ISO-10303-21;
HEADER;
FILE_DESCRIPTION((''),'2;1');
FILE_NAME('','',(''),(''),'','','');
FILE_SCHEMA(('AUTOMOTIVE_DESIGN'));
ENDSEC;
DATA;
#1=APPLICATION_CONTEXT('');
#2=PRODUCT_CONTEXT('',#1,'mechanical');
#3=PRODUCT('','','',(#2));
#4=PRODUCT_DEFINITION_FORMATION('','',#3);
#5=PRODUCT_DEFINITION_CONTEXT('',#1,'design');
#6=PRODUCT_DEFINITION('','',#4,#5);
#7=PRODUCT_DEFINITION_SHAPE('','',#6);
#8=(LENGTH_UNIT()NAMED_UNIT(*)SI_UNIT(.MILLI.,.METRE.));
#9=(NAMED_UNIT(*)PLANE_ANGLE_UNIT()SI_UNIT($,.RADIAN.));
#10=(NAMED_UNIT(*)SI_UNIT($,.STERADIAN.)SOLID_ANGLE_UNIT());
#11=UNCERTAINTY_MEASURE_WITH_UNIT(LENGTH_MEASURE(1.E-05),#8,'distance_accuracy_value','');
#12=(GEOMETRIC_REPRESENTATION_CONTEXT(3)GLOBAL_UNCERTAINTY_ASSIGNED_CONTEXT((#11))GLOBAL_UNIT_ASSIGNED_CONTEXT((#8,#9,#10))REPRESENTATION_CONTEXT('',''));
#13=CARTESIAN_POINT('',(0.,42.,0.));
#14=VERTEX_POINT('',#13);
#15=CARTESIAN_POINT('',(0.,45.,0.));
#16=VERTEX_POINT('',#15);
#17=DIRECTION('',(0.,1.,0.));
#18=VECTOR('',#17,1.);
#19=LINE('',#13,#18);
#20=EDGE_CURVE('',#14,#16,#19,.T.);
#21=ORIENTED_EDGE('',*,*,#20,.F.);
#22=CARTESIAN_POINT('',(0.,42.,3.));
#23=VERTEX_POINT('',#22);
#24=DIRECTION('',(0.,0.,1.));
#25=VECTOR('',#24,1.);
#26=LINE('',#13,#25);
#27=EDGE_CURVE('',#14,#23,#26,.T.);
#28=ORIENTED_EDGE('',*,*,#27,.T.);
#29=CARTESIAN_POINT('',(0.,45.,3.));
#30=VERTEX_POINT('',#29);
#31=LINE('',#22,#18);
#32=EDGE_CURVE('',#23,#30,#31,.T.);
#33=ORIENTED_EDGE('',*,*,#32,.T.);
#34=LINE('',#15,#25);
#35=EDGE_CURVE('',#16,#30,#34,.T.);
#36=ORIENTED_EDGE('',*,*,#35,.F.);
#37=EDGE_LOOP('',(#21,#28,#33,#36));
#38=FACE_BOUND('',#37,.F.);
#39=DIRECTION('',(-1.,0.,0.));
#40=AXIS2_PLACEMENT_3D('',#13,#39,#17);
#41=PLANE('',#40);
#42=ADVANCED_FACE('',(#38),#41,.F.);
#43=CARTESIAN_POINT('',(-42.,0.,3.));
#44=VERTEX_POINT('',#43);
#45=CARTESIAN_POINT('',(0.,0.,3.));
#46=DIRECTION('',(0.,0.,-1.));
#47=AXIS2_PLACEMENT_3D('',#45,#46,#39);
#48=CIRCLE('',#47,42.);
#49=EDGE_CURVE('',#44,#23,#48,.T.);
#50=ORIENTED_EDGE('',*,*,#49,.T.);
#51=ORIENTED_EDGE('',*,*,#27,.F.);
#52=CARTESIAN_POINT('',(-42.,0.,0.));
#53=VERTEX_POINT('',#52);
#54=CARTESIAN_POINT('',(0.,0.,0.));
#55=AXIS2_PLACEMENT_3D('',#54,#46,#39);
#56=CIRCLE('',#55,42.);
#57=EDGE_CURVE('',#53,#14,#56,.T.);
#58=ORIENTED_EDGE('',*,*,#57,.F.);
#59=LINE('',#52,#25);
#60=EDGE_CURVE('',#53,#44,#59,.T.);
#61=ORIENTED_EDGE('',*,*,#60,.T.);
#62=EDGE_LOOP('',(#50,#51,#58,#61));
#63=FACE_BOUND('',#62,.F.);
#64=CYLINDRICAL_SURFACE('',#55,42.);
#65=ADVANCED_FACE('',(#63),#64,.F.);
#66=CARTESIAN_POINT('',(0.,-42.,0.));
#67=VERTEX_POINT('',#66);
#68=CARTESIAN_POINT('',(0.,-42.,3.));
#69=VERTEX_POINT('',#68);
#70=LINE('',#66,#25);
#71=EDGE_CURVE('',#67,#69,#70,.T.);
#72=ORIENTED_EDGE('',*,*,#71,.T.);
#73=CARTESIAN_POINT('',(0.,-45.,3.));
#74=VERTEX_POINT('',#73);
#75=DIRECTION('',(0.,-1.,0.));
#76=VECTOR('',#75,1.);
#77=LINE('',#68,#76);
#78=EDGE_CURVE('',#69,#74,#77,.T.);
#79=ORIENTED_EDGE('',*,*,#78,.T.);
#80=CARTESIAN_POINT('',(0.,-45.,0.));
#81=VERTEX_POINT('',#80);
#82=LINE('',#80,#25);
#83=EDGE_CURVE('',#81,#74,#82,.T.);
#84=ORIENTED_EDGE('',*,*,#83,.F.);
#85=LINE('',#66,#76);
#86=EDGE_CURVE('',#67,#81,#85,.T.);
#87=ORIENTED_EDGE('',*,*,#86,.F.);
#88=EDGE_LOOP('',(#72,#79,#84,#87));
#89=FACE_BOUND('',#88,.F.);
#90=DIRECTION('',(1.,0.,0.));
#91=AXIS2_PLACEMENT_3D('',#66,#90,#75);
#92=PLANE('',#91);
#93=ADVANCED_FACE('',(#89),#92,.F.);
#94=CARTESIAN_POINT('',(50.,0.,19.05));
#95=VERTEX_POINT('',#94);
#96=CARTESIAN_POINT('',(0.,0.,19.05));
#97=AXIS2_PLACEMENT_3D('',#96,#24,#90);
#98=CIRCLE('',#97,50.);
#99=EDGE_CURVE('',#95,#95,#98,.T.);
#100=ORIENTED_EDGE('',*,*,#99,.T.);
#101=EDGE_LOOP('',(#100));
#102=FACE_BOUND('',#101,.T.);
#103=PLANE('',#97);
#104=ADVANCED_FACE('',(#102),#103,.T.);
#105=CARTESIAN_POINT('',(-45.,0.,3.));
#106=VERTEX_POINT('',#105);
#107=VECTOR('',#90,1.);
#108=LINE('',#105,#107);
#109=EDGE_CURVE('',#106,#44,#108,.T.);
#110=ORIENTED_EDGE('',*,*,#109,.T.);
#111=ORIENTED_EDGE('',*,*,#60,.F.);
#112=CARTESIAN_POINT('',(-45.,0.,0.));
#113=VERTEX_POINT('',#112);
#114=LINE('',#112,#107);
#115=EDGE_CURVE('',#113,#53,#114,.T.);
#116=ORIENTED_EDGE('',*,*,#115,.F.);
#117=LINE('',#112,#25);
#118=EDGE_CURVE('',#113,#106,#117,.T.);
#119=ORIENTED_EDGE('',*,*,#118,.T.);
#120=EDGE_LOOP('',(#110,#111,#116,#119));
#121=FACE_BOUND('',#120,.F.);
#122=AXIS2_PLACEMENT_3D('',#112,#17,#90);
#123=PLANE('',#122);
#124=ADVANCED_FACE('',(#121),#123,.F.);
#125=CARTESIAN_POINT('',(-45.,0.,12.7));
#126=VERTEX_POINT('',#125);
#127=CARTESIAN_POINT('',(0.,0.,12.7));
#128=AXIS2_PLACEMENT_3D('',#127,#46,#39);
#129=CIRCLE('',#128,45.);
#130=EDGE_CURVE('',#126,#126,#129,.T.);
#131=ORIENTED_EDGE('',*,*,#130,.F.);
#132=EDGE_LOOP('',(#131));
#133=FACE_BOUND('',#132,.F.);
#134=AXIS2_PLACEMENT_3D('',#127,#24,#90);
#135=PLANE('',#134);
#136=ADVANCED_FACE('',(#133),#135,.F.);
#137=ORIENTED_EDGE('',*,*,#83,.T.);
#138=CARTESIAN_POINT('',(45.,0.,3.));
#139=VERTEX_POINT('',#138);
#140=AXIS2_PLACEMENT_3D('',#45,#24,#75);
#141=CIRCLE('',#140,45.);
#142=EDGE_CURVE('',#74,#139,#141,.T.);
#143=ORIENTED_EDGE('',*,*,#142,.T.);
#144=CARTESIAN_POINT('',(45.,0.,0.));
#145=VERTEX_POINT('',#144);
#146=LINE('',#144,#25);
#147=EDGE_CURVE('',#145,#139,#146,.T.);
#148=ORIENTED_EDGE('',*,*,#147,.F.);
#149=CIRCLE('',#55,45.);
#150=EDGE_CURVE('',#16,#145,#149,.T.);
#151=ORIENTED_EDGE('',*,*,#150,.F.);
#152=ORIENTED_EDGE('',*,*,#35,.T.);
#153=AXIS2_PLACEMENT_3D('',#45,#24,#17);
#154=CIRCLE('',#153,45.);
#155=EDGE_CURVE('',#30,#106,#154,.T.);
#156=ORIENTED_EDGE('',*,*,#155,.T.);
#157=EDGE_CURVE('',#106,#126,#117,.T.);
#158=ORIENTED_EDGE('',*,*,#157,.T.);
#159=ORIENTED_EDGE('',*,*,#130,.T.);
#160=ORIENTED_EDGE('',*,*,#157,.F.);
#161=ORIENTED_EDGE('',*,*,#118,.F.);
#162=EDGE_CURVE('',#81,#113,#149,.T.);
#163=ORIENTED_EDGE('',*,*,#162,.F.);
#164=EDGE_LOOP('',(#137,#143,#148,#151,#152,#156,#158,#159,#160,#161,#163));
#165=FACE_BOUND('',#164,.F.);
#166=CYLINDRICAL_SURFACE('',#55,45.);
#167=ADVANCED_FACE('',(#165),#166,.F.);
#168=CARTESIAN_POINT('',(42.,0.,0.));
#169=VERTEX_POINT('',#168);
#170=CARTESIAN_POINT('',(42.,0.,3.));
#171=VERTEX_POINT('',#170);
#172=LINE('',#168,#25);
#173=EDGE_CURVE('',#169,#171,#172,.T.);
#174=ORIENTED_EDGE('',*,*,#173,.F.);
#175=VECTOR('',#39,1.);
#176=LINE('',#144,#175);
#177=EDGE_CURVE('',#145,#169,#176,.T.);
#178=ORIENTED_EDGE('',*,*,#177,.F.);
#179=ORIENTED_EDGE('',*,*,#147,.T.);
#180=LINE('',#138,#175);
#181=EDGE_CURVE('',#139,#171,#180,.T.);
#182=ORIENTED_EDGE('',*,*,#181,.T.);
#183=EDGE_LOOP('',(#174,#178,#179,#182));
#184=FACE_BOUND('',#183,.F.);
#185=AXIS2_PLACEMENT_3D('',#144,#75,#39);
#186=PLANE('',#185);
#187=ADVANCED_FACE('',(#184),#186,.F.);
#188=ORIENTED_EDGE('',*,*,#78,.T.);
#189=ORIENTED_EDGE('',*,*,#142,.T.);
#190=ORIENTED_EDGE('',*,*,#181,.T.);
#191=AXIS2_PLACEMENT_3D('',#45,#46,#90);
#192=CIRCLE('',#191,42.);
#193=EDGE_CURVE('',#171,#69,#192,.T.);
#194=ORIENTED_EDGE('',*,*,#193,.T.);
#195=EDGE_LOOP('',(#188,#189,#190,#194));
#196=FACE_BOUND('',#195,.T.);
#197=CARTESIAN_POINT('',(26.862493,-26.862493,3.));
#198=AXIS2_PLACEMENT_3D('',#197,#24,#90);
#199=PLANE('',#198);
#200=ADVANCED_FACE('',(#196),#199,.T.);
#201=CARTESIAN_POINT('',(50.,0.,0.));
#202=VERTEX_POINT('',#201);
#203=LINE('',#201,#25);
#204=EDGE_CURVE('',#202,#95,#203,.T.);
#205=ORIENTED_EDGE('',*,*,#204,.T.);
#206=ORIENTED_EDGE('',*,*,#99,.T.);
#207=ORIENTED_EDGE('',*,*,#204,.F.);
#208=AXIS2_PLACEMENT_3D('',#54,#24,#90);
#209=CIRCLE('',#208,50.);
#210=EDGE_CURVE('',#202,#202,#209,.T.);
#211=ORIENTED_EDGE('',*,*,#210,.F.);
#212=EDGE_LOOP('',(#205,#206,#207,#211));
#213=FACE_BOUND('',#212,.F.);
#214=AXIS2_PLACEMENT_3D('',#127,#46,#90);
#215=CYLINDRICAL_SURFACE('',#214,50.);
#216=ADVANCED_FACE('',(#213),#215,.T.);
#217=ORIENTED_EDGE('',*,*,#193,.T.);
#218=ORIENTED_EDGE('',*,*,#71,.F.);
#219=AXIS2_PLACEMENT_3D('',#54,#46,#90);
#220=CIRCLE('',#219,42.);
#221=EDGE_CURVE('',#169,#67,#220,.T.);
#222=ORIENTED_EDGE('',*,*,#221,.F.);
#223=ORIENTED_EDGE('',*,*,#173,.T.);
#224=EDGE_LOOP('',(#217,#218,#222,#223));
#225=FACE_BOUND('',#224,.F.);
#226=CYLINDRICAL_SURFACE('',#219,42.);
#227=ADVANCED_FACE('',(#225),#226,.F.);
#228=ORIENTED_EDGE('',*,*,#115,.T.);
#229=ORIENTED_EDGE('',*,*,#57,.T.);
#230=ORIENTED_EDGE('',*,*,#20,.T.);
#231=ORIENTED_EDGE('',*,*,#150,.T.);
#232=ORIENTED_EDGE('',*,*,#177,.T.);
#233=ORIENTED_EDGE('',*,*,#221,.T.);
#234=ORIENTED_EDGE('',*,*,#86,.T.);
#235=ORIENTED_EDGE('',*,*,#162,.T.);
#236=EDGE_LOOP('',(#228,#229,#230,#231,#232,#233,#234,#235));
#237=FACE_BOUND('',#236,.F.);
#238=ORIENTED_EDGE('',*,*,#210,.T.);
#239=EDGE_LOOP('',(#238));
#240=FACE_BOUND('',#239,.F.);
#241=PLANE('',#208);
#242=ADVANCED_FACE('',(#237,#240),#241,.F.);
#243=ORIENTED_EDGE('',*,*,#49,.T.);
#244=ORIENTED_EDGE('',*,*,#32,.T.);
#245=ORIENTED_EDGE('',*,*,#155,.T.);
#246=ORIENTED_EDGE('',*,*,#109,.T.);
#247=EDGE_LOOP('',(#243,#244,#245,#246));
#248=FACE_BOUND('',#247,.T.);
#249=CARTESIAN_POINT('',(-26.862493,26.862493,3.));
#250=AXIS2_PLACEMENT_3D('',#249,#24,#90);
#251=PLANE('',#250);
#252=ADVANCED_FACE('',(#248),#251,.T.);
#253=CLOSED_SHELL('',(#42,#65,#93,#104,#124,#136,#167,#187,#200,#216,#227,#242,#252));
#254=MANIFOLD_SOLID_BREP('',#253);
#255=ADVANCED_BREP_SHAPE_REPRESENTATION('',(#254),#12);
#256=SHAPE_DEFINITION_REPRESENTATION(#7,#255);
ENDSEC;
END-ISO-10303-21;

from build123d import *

# Parameters (mm, degrees)
F3_DEPTH = 3
F2_R     = 50
F4_DEPTH = 12.7
F5_R     = 50
F5_R_2   = 45
F6_DEPTH = 6.35


with BuildPart() as f3:
    # F2 (on Top) → F3 (new body)
    with BuildSketch(Plane.XY):
        with BuildLine():
            Line((0, 42), (0, 45))
            ThreePointArc((0, 45), (-31.8198051534, 31.8198051534), (-45, 0))
            Line((-45, 0), (-42, 0))
            ThreePointArc((-42, 0), (-29.6984848098, 29.6984848098), (0, 42))
        make_face()
    extrude(amount=F3_DEPTH)



with BuildPart() as f3b:
    # F2 (on Top) → F3, piece 2 (new body)
    with BuildSketch(Plane.XY):
        with BuildLine():
            ThreePointArc((0, -45), (31.8198051534, -31.8198051534), (45, 0))
            Line((45, 0), (42, 0))
            ThreePointArc((42, 0), (29.6984848098, -29.6984848098), (0, -42))
            Line((0, -42), (0, -45))
        make_face()
    extrude(amount=F3_DEPTH)


with BuildPart() as f3_1:
    add(f3.part)

    add(f3b.part)  # F4 merges F3b
    # F2 (on Top) → F4 (join)
    with BuildSketch(Plane.XY):
        Circle(F2_R)
        with BuildLine():
            ThreePointArc((0, 45), (31.8198051534, 31.8198051534), (45, 0))
            ThreePointArc((45, 0), (31.8198051534, -31.8198051534), (0, -45))
            ThreePointArc((0, -45), (-31.8198051534, -31.8198051534), (-45, 0))
            ThreePointArc((-45, 0), (-31.8198051534, 31.8198051534), (0, 45))
        make_face(mode=Mode.SUBTRACT)
    extrude(amount=F4_DEPTH)

    # F5 (on face) → F6 (join)
    with BuildSketch(Plane.XY.offset(12.7)):
        Circle(F5_R)
        Circle(F5_R_2, mode=Mode.SUBTRACT)
        Circle(F5_R_2)
    extrude(amount=F6_DEPTH)


solid = f3_1.part
